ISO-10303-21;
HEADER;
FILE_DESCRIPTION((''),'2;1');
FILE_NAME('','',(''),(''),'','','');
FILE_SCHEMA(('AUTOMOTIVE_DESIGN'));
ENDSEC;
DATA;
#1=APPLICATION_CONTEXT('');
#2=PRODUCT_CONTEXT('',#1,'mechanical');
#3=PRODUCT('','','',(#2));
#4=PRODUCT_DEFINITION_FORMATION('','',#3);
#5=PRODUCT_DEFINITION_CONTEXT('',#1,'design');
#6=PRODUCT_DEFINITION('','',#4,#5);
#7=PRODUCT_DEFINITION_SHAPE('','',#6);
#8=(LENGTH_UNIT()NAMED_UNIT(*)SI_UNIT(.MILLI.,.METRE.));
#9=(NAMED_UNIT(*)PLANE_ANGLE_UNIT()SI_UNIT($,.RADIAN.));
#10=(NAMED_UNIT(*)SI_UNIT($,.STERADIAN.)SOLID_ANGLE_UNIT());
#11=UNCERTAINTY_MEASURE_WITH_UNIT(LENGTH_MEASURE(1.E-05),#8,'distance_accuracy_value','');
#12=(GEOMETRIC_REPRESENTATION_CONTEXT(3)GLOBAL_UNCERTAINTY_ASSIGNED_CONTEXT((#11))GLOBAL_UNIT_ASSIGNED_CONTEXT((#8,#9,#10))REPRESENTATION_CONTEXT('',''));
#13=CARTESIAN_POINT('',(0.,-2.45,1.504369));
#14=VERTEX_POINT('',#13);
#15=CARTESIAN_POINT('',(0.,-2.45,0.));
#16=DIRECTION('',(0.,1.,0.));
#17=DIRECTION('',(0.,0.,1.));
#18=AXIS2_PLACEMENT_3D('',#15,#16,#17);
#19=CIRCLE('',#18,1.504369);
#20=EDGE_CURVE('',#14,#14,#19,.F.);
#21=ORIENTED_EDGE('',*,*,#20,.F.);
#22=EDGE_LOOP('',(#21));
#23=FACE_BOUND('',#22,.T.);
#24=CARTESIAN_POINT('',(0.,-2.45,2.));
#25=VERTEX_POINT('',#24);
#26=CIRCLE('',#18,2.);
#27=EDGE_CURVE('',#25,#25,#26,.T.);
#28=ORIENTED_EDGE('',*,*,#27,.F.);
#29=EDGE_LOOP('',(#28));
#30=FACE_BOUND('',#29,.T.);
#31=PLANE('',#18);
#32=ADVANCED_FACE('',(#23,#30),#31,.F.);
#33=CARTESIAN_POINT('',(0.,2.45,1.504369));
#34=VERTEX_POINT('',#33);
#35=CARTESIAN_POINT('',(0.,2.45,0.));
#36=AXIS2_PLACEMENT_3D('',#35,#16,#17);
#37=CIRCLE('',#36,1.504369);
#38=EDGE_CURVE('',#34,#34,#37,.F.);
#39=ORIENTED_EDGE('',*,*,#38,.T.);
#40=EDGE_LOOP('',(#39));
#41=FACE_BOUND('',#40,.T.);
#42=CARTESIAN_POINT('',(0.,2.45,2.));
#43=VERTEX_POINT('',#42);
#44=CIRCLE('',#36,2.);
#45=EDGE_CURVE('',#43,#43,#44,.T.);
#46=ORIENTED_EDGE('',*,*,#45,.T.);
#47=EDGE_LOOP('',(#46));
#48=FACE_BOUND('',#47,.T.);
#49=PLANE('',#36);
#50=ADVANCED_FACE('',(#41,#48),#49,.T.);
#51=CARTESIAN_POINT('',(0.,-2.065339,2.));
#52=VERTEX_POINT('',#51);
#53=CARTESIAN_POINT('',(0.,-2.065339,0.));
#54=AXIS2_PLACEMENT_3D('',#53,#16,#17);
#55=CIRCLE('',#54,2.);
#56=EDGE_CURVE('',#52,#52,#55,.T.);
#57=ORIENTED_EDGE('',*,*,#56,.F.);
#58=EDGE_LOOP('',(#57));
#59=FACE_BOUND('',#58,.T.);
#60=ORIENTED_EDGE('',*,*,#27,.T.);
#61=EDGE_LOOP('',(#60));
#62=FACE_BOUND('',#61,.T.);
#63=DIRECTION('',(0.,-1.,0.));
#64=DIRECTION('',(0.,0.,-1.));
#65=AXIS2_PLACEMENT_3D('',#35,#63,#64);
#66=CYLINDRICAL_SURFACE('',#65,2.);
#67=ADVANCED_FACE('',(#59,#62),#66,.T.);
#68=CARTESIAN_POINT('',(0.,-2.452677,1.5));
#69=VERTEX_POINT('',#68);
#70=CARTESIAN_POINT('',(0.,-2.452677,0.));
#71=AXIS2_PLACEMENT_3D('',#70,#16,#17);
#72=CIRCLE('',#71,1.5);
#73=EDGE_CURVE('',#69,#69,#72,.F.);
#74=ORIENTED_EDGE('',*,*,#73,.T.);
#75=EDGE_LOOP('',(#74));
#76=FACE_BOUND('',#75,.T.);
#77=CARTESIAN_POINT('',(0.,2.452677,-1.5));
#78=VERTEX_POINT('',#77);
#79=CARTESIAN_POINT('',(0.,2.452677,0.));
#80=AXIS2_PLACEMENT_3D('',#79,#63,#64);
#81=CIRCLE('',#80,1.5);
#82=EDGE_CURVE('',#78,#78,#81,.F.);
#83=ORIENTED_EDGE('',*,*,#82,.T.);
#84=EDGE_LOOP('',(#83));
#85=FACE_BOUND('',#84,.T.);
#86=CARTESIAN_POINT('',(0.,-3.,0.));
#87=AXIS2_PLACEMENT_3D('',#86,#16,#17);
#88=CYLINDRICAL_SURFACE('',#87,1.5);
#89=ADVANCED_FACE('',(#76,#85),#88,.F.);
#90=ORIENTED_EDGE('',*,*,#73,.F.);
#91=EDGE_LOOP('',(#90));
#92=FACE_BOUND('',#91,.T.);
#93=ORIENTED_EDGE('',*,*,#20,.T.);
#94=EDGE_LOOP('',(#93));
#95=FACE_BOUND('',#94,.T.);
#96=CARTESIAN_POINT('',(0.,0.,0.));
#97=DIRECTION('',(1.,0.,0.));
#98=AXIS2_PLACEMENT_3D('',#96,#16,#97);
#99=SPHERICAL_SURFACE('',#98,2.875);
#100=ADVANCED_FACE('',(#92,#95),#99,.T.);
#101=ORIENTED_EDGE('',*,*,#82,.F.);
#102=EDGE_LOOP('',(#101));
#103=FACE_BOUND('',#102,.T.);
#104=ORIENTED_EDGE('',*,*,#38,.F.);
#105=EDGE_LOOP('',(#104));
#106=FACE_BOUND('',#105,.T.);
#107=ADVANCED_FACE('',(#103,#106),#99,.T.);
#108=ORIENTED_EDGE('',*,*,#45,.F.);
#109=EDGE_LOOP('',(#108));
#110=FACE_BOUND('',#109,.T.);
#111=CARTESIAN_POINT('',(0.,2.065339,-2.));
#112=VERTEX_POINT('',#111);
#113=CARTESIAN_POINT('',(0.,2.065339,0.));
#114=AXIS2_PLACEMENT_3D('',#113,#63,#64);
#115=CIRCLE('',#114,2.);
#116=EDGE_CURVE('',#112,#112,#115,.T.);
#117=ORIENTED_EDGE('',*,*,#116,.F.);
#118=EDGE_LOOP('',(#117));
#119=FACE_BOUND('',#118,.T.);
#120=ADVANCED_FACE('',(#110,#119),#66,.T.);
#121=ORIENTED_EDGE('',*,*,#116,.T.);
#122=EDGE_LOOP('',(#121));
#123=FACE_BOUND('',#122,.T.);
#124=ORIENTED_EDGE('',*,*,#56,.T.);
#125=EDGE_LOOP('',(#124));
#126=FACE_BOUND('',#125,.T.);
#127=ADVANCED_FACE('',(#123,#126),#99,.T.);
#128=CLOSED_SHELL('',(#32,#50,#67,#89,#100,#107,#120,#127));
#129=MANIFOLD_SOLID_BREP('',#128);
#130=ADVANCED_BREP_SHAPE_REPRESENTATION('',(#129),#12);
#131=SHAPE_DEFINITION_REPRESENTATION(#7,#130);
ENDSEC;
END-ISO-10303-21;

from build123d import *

# Parameters (mm, degrees)
SKETCH2_R           = 2
SKETCH2_R_2         = 1.5
BOSS_EXTRUDE1_DEPTH = 2.45
SKETCH2_3_R         = 1.5
CUT_EXTRUDE1_DEPTH  = 3


with BuildPart() as part:
    # Sketch1 → Revolve1 (revolve)
    with BuildSketch(Plane.XY):
        with BuildLine():
            Line((0, -2.875), (0, 2.875))
            ThreePointArc((0, 2.875), (-2.875, 0), (0, -2.875))
        make_face()
    revolve(axis=Axis((0, 55, 0), (0, -1, 0)))

    # Sketch2 → Boss-Extrude1 (add, symmetric)
    with BuildSketch(Plane(origin=(0, 0, 0), x_dir=(1, 0, 0), z_dir=(0, 1, 0))):
        Circle(SKETCH2_R)
        Circle(SKETCH2_R_2, mode=Mode.SUBTRACT)
    extrude(amount=BOSS_EXTRUDE1_DEPTH, both=True)

    # Sketch2<3> → Cut-Extrude1 (cut, symmetric)
    with BuildSketch(Plane(origin=(0, 0, 0), x_dir=(1, 0, 0), z_dir=(0, 1, 0))):
        Circle(SKETCH2_3_R)
    extrude(amount=CUT_EXTRUDE1_DEPTH, both=True, mode=Mode.SUBTRACT)


solid = part.part
